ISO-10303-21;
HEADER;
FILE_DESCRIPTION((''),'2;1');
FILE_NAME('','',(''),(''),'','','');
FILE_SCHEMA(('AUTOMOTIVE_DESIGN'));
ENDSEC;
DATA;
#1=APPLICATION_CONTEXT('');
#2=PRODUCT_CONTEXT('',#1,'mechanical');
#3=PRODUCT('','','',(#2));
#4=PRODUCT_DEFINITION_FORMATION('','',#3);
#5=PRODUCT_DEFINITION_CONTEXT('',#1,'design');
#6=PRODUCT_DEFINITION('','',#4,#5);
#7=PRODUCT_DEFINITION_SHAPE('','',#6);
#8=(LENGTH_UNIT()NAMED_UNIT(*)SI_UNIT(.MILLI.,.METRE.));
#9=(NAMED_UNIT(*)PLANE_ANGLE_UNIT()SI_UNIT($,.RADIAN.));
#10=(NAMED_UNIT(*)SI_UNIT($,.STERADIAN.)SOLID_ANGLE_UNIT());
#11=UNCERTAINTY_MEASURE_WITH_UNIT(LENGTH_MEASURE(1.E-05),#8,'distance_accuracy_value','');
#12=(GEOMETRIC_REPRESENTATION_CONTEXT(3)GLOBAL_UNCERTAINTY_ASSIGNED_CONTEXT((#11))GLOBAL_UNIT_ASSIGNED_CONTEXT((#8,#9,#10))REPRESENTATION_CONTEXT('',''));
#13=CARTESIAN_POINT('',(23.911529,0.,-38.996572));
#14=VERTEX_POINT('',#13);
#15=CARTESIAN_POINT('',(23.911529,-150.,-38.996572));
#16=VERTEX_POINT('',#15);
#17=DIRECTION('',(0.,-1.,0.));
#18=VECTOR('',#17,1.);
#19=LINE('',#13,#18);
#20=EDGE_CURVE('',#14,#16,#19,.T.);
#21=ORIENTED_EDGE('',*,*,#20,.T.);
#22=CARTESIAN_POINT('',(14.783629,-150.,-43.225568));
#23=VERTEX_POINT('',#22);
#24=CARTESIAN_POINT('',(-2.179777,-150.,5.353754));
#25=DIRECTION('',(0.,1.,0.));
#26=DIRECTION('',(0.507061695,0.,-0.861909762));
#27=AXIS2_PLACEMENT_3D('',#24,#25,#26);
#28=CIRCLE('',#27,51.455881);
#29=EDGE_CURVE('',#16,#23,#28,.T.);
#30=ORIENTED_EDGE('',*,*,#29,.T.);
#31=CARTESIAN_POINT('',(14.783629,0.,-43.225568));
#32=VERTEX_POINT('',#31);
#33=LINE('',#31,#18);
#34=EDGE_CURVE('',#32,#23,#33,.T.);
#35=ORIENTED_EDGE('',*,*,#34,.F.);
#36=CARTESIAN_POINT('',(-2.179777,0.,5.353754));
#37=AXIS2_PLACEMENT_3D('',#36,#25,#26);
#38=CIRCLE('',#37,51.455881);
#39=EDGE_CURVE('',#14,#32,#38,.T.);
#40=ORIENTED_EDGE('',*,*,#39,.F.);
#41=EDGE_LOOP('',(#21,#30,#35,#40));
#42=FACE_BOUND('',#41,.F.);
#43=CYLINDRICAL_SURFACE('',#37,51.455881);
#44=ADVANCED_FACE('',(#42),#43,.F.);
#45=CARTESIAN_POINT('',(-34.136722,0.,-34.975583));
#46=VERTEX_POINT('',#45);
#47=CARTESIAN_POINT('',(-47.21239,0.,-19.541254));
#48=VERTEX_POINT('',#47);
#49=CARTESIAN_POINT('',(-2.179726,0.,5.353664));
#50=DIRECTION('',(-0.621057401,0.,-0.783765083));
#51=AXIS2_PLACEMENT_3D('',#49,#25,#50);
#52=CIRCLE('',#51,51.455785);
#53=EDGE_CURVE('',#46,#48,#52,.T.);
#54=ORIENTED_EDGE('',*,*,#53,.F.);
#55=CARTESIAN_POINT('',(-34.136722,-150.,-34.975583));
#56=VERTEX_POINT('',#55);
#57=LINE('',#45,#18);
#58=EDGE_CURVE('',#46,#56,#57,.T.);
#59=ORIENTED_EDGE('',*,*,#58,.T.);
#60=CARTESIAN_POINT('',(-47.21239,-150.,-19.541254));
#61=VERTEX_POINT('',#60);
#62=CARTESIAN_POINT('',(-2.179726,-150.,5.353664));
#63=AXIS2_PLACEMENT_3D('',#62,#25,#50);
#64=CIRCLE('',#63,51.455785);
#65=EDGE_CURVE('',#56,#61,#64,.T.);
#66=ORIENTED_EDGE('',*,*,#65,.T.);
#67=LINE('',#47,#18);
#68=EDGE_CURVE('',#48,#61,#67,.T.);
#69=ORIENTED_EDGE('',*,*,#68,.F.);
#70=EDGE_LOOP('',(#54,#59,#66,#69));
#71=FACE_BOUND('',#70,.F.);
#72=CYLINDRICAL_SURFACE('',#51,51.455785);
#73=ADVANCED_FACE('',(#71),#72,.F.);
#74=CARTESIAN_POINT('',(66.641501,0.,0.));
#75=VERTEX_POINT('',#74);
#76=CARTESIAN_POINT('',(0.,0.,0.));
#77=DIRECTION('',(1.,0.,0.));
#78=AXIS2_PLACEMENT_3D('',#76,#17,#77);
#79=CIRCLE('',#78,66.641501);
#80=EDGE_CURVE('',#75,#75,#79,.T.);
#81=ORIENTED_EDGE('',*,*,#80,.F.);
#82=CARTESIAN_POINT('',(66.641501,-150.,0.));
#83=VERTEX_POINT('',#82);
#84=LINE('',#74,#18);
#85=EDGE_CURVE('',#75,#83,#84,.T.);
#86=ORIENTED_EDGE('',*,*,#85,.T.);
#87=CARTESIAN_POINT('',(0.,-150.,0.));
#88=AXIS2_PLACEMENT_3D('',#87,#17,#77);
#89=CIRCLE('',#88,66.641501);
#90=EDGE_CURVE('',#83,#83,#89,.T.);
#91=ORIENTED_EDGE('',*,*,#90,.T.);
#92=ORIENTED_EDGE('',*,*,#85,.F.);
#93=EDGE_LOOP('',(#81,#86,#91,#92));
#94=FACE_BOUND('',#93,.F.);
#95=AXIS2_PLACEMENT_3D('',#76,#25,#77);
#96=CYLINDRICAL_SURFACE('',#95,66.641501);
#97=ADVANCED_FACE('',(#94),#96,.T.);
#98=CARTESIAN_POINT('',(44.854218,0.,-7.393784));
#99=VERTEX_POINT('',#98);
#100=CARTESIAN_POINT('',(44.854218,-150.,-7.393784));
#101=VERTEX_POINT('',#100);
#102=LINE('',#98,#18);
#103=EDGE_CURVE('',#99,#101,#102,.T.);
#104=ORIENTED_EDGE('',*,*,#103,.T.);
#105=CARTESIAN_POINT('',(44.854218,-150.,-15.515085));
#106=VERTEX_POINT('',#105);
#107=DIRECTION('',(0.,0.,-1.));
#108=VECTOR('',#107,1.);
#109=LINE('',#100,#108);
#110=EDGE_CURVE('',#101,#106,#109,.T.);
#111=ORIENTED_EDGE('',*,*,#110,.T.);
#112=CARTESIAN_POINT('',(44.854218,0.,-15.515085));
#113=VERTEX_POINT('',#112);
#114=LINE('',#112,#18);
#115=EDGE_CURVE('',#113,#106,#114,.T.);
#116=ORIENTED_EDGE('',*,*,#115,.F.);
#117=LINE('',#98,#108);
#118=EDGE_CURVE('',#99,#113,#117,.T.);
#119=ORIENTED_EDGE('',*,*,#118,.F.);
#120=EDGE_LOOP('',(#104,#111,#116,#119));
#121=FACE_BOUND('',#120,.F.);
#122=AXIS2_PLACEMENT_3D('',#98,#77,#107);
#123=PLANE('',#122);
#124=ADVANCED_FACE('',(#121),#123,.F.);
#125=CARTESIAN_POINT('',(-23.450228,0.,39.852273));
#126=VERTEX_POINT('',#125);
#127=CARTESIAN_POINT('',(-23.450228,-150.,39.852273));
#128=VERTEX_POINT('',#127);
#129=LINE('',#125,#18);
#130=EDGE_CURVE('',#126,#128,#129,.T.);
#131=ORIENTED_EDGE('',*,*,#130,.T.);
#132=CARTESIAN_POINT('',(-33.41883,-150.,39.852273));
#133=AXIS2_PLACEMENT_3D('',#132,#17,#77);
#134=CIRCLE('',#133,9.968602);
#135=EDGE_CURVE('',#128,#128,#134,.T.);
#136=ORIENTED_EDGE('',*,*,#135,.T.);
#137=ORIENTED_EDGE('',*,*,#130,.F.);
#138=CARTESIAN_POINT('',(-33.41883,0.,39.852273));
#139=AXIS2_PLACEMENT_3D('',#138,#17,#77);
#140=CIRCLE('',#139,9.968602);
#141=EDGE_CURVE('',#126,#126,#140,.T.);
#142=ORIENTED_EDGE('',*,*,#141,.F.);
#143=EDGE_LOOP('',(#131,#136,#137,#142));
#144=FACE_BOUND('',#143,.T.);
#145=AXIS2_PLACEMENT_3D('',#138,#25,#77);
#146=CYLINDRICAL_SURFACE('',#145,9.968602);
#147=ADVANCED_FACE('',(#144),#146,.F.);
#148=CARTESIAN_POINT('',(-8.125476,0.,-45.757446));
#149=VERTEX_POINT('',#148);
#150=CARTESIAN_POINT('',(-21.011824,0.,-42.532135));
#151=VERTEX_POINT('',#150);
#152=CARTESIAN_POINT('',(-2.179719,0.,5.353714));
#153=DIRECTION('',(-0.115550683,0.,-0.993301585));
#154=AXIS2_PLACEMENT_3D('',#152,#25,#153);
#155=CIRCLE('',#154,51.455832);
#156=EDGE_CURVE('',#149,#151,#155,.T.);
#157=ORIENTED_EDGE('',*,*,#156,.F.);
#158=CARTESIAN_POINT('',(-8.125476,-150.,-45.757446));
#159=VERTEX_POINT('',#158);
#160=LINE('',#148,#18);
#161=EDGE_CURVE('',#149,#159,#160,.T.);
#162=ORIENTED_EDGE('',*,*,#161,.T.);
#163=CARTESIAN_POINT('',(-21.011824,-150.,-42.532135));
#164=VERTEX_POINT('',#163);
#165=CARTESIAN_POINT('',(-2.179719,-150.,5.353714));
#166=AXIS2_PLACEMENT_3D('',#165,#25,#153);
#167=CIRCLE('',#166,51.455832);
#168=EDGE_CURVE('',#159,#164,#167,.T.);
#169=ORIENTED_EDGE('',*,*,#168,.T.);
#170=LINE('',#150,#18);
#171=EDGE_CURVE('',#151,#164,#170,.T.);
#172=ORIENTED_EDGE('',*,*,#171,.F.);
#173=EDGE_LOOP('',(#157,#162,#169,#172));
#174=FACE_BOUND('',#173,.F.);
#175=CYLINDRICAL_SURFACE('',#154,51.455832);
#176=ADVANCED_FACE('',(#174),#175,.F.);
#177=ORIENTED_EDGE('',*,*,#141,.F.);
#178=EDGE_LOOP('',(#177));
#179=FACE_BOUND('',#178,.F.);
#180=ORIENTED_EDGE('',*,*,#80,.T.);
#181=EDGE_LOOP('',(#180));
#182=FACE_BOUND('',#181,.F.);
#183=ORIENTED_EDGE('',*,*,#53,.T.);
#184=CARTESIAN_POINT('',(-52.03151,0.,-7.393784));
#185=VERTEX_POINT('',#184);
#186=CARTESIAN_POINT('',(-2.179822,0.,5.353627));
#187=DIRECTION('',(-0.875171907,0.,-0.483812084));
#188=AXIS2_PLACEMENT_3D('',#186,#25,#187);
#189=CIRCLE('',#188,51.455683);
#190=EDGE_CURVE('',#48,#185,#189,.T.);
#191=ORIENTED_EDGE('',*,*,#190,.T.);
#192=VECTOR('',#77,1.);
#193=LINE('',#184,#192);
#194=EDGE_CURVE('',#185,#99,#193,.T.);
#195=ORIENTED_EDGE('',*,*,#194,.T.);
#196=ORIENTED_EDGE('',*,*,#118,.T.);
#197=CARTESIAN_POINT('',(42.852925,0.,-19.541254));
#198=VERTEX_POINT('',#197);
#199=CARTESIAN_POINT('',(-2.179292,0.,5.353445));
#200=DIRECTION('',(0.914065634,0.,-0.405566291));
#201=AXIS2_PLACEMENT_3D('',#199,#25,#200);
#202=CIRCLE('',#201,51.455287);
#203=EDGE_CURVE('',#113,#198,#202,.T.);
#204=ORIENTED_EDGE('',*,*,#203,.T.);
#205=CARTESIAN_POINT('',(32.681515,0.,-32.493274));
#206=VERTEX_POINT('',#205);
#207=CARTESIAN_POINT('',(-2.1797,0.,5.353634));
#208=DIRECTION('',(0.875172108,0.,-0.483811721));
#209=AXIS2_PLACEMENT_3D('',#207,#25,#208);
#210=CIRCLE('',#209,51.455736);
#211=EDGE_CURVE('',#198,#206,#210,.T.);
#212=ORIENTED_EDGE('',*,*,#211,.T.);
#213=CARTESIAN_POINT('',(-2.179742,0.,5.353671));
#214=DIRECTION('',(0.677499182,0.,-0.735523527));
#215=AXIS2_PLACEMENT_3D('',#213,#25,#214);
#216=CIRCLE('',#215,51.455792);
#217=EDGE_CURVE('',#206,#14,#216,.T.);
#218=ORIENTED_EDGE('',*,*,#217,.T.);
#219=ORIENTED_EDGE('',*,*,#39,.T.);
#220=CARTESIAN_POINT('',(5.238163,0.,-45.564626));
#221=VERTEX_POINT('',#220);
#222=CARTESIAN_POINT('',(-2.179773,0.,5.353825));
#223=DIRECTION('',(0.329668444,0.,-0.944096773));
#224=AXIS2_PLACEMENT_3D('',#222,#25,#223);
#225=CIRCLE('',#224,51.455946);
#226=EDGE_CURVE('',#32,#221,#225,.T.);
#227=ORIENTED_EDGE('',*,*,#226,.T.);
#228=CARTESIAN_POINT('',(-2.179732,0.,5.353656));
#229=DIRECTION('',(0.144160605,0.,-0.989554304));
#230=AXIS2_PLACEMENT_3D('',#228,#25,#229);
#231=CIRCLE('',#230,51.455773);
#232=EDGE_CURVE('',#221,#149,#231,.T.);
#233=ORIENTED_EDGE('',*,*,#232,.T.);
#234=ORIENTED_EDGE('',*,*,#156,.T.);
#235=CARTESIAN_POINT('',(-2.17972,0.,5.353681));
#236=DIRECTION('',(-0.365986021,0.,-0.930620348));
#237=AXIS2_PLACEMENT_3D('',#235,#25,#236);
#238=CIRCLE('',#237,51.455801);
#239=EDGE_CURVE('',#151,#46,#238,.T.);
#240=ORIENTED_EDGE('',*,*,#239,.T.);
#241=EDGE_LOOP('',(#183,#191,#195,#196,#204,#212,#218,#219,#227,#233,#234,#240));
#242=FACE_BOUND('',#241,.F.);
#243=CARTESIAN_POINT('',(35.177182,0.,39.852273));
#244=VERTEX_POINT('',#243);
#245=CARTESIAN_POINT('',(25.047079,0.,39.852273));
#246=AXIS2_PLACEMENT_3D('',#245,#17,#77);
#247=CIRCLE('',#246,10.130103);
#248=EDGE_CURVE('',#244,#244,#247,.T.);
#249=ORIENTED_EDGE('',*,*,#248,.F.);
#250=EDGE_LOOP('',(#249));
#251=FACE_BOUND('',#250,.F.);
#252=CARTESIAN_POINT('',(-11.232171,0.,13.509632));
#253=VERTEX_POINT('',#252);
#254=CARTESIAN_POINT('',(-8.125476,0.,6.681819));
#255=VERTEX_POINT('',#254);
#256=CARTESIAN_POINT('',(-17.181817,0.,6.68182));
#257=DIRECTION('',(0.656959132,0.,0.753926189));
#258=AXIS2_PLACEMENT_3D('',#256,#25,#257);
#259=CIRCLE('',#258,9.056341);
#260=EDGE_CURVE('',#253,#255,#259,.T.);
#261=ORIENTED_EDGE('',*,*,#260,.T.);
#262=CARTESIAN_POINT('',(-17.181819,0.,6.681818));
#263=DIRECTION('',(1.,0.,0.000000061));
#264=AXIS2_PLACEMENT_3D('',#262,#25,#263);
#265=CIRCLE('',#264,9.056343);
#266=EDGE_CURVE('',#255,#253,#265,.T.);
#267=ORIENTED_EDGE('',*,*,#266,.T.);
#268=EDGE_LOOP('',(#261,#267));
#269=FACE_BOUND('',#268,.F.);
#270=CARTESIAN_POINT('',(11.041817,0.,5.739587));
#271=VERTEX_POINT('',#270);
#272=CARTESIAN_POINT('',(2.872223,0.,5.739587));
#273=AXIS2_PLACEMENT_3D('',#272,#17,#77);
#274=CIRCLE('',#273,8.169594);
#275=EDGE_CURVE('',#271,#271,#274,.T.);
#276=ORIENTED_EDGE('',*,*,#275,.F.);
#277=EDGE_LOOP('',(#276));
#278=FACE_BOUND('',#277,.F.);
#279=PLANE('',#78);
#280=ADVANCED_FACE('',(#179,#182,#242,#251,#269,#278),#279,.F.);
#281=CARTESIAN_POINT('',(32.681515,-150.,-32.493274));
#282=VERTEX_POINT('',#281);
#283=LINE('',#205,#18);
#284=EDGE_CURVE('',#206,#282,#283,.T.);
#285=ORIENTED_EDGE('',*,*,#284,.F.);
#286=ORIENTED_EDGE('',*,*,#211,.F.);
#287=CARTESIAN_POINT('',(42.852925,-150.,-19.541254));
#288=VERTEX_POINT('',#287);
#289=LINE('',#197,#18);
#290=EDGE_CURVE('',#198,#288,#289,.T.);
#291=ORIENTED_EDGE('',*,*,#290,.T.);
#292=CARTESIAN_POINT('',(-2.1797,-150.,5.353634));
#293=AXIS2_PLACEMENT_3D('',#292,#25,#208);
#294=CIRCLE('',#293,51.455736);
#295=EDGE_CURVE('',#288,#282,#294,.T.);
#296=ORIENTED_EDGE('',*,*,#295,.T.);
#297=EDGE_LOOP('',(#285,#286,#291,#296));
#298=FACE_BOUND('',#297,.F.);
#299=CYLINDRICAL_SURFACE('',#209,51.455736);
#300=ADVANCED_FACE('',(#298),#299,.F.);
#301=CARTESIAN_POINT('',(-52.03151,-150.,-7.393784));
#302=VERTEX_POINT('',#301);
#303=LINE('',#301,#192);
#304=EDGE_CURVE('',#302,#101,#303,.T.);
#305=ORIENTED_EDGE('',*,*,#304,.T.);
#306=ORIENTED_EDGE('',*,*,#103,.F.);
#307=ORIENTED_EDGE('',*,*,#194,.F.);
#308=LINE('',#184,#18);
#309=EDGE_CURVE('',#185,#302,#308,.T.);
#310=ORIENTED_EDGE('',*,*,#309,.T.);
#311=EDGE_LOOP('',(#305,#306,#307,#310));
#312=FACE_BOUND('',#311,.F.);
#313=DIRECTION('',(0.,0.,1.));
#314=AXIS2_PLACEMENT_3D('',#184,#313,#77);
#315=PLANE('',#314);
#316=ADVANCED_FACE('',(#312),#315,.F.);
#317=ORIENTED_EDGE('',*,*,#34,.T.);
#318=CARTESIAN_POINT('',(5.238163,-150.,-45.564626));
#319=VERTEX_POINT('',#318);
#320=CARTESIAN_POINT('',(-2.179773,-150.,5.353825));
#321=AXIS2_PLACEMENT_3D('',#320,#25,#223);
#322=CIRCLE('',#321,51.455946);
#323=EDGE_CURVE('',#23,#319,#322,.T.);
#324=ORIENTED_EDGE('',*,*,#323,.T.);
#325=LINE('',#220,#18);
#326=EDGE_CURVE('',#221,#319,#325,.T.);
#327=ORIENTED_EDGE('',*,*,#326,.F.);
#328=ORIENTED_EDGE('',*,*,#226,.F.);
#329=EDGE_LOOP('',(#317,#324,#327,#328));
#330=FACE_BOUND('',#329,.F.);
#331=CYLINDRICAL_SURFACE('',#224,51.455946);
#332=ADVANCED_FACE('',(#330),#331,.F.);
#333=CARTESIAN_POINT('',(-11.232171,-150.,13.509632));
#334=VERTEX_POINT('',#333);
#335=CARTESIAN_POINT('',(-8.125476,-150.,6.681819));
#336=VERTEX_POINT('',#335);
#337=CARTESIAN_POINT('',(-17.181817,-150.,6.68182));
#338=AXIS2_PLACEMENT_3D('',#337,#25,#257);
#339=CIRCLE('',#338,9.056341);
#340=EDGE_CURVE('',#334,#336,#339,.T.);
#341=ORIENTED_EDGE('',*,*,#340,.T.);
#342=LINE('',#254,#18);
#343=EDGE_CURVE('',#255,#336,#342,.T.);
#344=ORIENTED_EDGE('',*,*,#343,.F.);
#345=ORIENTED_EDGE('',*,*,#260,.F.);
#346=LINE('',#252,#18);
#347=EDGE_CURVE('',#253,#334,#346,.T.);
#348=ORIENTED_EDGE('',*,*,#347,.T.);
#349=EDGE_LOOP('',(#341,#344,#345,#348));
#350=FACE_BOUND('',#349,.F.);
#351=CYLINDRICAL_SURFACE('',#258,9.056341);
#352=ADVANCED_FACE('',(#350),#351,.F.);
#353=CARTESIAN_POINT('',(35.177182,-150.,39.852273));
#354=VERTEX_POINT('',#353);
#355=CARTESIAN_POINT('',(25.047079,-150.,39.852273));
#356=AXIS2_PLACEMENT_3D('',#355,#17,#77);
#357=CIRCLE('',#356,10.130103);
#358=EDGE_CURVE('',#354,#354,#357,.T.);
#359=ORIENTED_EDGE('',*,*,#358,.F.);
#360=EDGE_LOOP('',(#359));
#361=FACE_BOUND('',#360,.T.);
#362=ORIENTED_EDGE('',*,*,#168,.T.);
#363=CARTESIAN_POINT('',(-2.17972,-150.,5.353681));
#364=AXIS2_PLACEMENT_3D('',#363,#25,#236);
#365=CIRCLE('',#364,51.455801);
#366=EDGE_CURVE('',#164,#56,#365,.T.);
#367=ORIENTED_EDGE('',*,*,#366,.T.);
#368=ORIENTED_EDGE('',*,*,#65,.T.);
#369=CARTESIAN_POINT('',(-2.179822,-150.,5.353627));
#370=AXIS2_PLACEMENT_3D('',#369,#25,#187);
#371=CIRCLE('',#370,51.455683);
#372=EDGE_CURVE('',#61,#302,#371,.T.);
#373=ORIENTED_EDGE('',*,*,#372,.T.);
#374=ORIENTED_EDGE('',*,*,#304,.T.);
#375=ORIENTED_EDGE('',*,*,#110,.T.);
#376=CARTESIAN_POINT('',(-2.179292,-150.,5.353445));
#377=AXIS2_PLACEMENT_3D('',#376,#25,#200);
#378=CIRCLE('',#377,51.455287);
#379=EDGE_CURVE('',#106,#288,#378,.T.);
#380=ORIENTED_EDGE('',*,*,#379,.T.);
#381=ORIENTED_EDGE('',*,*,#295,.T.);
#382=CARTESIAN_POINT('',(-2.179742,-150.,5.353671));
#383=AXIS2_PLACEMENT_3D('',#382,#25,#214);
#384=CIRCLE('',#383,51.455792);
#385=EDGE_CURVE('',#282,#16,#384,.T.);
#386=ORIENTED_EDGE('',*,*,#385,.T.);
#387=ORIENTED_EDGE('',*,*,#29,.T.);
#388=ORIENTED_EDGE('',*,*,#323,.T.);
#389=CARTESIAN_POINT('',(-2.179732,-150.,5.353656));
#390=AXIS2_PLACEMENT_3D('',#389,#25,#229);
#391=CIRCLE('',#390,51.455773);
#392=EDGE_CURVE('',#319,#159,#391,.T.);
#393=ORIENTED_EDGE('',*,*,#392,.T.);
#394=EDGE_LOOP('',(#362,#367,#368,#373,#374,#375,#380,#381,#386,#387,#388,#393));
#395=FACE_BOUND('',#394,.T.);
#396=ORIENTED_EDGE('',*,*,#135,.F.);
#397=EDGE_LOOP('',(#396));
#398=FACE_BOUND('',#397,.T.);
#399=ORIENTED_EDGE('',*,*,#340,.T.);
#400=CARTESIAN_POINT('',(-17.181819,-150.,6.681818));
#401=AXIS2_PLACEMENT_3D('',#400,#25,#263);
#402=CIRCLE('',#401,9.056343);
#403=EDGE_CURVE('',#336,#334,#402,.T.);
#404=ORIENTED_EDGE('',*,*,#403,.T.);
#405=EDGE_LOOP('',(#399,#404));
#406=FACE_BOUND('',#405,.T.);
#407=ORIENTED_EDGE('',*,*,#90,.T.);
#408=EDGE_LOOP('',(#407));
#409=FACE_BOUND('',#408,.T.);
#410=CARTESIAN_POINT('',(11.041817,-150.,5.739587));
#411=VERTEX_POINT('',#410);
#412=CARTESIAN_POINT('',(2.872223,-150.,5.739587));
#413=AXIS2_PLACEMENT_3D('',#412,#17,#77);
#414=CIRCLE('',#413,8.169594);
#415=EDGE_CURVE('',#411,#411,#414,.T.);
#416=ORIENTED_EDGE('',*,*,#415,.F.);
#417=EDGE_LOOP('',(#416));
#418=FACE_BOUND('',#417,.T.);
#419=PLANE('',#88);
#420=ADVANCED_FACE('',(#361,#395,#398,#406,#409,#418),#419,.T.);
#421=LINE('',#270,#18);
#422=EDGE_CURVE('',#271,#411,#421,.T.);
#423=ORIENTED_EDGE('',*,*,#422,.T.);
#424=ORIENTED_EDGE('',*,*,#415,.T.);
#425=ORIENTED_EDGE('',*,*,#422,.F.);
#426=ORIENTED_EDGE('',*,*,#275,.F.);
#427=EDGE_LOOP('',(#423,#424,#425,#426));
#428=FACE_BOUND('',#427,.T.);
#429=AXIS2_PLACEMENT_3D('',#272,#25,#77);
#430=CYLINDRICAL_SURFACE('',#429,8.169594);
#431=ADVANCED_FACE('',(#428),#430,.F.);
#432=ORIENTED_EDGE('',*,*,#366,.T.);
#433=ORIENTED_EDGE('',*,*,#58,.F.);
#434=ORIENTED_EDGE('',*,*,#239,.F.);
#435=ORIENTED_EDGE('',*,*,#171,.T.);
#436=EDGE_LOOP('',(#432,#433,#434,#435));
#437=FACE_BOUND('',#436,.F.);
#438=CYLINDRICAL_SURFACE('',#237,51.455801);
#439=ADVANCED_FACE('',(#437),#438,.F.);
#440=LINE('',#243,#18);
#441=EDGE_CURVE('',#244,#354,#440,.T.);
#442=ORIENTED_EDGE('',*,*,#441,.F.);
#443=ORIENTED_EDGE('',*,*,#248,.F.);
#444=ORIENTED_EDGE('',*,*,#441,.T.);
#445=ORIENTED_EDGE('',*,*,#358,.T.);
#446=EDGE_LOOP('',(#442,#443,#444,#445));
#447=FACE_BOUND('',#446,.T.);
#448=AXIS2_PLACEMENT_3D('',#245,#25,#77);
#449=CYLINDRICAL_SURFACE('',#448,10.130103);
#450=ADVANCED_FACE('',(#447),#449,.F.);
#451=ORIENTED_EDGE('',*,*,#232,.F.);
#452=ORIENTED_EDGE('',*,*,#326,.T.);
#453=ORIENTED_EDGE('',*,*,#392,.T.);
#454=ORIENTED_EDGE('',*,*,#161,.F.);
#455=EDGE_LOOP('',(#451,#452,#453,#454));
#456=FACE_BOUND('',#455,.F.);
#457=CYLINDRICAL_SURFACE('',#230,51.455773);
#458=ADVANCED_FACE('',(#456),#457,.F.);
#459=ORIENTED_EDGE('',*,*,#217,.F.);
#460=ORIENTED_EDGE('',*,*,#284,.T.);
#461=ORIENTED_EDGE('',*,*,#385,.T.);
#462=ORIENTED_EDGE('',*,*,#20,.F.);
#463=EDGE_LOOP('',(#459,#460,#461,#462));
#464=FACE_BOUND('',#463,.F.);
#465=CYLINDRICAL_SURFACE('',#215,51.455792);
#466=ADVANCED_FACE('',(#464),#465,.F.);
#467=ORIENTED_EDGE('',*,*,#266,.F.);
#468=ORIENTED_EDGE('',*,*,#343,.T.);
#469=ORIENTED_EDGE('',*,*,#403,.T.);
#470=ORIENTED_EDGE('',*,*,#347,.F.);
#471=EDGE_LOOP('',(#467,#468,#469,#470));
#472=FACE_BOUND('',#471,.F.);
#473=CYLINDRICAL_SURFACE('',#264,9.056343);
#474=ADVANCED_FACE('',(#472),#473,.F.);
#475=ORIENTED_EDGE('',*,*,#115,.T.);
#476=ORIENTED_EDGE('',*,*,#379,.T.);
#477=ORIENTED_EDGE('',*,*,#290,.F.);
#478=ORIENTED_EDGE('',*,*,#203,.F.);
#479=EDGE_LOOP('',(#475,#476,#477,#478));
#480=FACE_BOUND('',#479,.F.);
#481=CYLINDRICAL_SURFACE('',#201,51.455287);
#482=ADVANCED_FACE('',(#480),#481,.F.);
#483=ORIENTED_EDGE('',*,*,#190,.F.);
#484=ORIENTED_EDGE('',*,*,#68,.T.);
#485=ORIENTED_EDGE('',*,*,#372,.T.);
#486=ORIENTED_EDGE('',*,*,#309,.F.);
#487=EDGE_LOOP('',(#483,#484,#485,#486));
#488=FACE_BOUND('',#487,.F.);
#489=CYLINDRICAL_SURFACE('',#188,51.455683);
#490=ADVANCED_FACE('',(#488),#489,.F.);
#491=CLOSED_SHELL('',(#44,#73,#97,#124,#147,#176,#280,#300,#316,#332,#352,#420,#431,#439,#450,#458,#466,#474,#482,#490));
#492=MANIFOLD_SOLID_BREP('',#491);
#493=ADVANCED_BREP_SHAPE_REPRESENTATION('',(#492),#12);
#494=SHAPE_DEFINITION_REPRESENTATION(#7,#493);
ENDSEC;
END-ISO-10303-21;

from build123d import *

# Parameters (mm, degrees)
F0_R     = 66.641501
F0_R_2   = 9.968602
F0_R_3   = 8.169594
F0_R_4   = 10.130103
F1_DEPTH = 150


with BuildPart() as f1:
    # F0 (on Front) → F1 (new body)
    with BuildSketch(Plane.XZ):
        Circle(F0_R)
        with BuildLine():
            ThreePointArc((-47.21239, -19.541254), (-50.009162, -13.621133), (-52.03151, -7.393784))
            Line((-52.03151, -7.393784), (-34.136722, -7.393784))
            Line((-34.136722, -7.393784), (-21.011824, -7.393784))
            Line((-21.011824, -7.393784), (-8.125476, -7.393784))
            Line((-8.125476, -7.393784), (5.238163, -7.393784))
            Line((5.238163, -7.393784), (14.783629, -7.393784))
            Line((14.783629, -7.393784), (23.911529, -7.393784))
            Line((23.911529, -7.393784), (32.681515, -7.393784))
            Line((32.681515, -7.393784), (44.854218, -7.393784))
            Line((44.854218, -7.393784), (44.854218, -15.515085))
            ThreePointArc((44.854218, -15.515085), (43.897568, -17.550039), (42.852925, -19.541254))
            ThreePointArc((42.852925, -19.541254), (38.288746, -26.426826), (32.681515, -32.493274))
            ThreePointArc((32.681515, -32.493274), (28.469498, -35.978188), (23.911529, -38.996572))
            ThreePointArc((23.911529, -38.996572), (19.451177, -41.334676), (14.783629, -43.225568))
            ThreePointArc((14.783629, -43.225568), (10.066868, -44.623512), (5.238163, -45.564626))
            ThreePointArc((5.238163, -45.564626), (-1.43737, -46.096762), (-8.125476, -45.757446))
            ThreePointArc((-8.125476, -45.757446), (-14.673168, -44.56238), (-21.011824, -42.532135))
            ThreePointArc((-21.011824, -42.532135), (-27.853806, -39.239377), (-34.136722, -34.975583))
            ThreePointArc((-34.136722, -34.975583), (-41.440477, -27.907292), (-47.21239, -19.541254))
        make_face(mode=Mode.SUBTRACT)
        with BuildLine():
            ThreePointArc((-11.232171, 13.509632), (-8.938658, 10.432505), (-8.125476, 6.681819))
            ThreePointArc((-8.125476, 6.681819), (-25.42498, 2.931132), (-11.232171, 13.509632))
        make_face(mode=Mode.SUBTRACT)
        with Locations((-33.41883, 39.852273)):
            Circle(F0_R_2, mode=Mode.SUBTRACT)
        with Locations((2.872223, 5.739587)):
            Circle(F0_R_3, mode=Mode.SUBTRACT)
        with Locations((25.047079, 39.852273)):
            Circle(F0_R_4, mode=Mode.SUBTRACT)
    extrude(amount=F1_DEPTH)


solid = f1.part
